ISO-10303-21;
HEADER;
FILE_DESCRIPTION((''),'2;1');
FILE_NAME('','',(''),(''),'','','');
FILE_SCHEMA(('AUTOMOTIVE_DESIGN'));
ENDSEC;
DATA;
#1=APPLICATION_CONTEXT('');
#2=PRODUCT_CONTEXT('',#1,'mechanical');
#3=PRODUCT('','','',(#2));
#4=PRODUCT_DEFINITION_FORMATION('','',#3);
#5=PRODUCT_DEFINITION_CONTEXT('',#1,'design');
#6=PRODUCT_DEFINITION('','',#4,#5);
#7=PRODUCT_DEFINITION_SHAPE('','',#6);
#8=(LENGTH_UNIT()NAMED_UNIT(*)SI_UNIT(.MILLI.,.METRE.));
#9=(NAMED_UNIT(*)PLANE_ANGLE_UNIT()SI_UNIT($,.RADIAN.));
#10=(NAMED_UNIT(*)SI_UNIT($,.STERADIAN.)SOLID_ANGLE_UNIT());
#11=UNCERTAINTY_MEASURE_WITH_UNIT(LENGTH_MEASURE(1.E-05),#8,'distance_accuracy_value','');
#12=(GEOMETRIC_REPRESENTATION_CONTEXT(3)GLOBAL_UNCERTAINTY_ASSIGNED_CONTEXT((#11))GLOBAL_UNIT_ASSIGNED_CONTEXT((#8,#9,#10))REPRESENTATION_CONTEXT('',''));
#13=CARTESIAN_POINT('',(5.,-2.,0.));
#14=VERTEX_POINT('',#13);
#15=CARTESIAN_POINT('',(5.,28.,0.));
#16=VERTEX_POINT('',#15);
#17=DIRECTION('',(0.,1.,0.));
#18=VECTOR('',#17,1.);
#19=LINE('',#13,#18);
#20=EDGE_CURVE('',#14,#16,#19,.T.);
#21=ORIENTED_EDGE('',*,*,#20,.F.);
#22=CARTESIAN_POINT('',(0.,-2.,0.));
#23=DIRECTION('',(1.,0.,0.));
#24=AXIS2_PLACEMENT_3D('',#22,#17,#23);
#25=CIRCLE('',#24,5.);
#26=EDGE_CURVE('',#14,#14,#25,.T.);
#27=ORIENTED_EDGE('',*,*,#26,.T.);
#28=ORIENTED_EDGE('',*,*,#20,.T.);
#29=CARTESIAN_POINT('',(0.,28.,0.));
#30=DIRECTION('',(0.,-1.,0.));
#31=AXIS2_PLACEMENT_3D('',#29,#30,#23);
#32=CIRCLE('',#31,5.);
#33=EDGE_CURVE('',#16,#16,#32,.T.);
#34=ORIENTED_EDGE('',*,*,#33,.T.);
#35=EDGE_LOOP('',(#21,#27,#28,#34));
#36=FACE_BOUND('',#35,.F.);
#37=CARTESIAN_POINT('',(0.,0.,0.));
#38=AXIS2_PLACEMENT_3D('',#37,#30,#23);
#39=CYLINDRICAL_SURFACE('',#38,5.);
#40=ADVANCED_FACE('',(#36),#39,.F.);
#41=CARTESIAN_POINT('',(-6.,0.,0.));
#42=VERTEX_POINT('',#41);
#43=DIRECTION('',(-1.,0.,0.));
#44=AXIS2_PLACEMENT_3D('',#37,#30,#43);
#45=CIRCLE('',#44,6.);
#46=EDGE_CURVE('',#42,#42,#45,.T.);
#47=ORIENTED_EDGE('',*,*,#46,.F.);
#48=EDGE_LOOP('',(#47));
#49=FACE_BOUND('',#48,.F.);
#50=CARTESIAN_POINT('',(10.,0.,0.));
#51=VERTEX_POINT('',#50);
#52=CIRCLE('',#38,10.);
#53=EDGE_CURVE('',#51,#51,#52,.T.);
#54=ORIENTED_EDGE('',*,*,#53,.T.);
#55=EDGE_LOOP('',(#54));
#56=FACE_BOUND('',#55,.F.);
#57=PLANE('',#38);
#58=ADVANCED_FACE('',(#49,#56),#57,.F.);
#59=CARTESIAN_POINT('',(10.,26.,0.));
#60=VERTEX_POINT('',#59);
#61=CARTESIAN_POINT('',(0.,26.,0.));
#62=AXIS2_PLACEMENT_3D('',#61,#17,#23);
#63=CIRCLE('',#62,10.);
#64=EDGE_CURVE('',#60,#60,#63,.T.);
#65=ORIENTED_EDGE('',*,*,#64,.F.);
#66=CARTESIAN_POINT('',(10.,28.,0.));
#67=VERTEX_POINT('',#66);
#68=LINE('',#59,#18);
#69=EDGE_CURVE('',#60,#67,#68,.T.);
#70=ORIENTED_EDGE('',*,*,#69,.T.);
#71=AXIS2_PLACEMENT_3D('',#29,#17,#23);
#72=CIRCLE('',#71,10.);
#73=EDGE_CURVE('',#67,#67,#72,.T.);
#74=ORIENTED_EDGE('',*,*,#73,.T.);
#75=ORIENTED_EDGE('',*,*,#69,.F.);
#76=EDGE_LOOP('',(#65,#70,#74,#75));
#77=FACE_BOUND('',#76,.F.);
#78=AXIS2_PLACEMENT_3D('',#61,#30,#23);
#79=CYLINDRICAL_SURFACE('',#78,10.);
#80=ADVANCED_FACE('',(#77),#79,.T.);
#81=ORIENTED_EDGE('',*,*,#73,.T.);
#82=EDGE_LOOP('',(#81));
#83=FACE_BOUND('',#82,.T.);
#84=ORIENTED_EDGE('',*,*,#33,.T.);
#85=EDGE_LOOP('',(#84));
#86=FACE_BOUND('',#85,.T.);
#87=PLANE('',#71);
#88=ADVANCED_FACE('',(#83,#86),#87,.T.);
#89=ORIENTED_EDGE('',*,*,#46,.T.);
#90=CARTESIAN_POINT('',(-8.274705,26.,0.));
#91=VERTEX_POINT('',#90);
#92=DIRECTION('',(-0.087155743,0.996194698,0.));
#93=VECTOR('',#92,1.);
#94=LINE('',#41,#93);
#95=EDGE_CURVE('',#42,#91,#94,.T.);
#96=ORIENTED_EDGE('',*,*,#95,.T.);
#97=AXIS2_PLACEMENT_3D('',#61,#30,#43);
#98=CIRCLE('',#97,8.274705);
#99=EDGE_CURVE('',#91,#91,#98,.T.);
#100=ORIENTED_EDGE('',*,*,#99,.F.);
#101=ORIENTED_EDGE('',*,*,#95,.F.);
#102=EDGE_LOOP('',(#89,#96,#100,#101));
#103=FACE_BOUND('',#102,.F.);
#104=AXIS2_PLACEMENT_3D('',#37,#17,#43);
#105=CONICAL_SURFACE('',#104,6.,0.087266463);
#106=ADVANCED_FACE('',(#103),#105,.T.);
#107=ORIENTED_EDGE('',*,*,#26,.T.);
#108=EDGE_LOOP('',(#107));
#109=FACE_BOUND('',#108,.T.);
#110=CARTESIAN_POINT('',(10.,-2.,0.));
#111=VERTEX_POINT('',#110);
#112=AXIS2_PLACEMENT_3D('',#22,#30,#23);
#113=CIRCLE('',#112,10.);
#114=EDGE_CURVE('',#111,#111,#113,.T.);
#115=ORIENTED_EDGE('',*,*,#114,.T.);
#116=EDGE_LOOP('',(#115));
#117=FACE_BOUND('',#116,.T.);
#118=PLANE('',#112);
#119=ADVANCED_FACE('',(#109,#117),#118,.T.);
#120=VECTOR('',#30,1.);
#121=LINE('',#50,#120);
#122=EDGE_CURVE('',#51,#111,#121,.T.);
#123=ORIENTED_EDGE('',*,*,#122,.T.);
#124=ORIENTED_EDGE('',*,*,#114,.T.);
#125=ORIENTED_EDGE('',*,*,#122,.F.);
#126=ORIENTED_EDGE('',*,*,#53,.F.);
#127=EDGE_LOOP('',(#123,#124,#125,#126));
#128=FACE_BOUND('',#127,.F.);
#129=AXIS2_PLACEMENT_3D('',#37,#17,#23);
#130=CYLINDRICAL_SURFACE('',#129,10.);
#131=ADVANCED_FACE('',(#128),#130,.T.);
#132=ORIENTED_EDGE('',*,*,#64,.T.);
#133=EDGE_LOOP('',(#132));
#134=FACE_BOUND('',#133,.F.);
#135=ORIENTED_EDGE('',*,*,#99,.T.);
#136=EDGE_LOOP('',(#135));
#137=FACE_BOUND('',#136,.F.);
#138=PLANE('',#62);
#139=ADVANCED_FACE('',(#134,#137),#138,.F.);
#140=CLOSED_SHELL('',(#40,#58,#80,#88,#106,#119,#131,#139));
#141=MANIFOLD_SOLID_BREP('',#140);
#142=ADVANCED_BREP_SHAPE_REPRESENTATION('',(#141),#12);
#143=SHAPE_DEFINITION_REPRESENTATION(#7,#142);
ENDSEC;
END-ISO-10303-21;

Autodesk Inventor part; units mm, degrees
ref_plane "YZ Plane" through (0, 0, 0) normal (1, 0, 0) x (0, 1, 0)
ref_plane "XZ Plane" through (0, 0, 0) normal (0, 1, 0) x (-1, 0, 0)
ref_plane "XY Plane" through (0, 0, 0) normal (0, 0, 1) x (1, 0, 0)
sketch "草图1" plane through (0, 0, 0) normal (0, 1, 0) x (-1, 0, 0)
  circle A0 centre (0, 0) radius 6
  dimension "带轮直径" = 12
extrude "拉伸2" add sketch "草图1" along normal blind 26 draft 5
sketch "草图3" plane through (0, 0, 0) normal (0, -1, 0) x (1, 0, 0)
  circle A0 centre (0, 0) radius 10
  dimension "外径" = 20
sketch "草图4" plane through (0, 26, 0) normal (0, 1, 0) x (1, 0, 0)
  circle A0 centre (0, 0) radius 10
  dimension "d12" = 20
extrude "拉伸4" add sketch "草图3" along normal blind 2
extrude "拉伸5" add sketch "草图4" along normal blind 2
sketch "草图2" plane through (0, 0, 0) normal (0, -1, 0) x (1, 0, 0)
  circle A0 centre (0, 0) radius 5
  dimension "孔径" = 10
extrude "拉伸3" cut sketch "草图2" along normal through all both and the other way through all
equation "\"d12\" = 外径"
equation "\"d15\" = 外圆"
equation "\"外圆\" = 2"
properties part number "带轮" material "木材(桦木)"
